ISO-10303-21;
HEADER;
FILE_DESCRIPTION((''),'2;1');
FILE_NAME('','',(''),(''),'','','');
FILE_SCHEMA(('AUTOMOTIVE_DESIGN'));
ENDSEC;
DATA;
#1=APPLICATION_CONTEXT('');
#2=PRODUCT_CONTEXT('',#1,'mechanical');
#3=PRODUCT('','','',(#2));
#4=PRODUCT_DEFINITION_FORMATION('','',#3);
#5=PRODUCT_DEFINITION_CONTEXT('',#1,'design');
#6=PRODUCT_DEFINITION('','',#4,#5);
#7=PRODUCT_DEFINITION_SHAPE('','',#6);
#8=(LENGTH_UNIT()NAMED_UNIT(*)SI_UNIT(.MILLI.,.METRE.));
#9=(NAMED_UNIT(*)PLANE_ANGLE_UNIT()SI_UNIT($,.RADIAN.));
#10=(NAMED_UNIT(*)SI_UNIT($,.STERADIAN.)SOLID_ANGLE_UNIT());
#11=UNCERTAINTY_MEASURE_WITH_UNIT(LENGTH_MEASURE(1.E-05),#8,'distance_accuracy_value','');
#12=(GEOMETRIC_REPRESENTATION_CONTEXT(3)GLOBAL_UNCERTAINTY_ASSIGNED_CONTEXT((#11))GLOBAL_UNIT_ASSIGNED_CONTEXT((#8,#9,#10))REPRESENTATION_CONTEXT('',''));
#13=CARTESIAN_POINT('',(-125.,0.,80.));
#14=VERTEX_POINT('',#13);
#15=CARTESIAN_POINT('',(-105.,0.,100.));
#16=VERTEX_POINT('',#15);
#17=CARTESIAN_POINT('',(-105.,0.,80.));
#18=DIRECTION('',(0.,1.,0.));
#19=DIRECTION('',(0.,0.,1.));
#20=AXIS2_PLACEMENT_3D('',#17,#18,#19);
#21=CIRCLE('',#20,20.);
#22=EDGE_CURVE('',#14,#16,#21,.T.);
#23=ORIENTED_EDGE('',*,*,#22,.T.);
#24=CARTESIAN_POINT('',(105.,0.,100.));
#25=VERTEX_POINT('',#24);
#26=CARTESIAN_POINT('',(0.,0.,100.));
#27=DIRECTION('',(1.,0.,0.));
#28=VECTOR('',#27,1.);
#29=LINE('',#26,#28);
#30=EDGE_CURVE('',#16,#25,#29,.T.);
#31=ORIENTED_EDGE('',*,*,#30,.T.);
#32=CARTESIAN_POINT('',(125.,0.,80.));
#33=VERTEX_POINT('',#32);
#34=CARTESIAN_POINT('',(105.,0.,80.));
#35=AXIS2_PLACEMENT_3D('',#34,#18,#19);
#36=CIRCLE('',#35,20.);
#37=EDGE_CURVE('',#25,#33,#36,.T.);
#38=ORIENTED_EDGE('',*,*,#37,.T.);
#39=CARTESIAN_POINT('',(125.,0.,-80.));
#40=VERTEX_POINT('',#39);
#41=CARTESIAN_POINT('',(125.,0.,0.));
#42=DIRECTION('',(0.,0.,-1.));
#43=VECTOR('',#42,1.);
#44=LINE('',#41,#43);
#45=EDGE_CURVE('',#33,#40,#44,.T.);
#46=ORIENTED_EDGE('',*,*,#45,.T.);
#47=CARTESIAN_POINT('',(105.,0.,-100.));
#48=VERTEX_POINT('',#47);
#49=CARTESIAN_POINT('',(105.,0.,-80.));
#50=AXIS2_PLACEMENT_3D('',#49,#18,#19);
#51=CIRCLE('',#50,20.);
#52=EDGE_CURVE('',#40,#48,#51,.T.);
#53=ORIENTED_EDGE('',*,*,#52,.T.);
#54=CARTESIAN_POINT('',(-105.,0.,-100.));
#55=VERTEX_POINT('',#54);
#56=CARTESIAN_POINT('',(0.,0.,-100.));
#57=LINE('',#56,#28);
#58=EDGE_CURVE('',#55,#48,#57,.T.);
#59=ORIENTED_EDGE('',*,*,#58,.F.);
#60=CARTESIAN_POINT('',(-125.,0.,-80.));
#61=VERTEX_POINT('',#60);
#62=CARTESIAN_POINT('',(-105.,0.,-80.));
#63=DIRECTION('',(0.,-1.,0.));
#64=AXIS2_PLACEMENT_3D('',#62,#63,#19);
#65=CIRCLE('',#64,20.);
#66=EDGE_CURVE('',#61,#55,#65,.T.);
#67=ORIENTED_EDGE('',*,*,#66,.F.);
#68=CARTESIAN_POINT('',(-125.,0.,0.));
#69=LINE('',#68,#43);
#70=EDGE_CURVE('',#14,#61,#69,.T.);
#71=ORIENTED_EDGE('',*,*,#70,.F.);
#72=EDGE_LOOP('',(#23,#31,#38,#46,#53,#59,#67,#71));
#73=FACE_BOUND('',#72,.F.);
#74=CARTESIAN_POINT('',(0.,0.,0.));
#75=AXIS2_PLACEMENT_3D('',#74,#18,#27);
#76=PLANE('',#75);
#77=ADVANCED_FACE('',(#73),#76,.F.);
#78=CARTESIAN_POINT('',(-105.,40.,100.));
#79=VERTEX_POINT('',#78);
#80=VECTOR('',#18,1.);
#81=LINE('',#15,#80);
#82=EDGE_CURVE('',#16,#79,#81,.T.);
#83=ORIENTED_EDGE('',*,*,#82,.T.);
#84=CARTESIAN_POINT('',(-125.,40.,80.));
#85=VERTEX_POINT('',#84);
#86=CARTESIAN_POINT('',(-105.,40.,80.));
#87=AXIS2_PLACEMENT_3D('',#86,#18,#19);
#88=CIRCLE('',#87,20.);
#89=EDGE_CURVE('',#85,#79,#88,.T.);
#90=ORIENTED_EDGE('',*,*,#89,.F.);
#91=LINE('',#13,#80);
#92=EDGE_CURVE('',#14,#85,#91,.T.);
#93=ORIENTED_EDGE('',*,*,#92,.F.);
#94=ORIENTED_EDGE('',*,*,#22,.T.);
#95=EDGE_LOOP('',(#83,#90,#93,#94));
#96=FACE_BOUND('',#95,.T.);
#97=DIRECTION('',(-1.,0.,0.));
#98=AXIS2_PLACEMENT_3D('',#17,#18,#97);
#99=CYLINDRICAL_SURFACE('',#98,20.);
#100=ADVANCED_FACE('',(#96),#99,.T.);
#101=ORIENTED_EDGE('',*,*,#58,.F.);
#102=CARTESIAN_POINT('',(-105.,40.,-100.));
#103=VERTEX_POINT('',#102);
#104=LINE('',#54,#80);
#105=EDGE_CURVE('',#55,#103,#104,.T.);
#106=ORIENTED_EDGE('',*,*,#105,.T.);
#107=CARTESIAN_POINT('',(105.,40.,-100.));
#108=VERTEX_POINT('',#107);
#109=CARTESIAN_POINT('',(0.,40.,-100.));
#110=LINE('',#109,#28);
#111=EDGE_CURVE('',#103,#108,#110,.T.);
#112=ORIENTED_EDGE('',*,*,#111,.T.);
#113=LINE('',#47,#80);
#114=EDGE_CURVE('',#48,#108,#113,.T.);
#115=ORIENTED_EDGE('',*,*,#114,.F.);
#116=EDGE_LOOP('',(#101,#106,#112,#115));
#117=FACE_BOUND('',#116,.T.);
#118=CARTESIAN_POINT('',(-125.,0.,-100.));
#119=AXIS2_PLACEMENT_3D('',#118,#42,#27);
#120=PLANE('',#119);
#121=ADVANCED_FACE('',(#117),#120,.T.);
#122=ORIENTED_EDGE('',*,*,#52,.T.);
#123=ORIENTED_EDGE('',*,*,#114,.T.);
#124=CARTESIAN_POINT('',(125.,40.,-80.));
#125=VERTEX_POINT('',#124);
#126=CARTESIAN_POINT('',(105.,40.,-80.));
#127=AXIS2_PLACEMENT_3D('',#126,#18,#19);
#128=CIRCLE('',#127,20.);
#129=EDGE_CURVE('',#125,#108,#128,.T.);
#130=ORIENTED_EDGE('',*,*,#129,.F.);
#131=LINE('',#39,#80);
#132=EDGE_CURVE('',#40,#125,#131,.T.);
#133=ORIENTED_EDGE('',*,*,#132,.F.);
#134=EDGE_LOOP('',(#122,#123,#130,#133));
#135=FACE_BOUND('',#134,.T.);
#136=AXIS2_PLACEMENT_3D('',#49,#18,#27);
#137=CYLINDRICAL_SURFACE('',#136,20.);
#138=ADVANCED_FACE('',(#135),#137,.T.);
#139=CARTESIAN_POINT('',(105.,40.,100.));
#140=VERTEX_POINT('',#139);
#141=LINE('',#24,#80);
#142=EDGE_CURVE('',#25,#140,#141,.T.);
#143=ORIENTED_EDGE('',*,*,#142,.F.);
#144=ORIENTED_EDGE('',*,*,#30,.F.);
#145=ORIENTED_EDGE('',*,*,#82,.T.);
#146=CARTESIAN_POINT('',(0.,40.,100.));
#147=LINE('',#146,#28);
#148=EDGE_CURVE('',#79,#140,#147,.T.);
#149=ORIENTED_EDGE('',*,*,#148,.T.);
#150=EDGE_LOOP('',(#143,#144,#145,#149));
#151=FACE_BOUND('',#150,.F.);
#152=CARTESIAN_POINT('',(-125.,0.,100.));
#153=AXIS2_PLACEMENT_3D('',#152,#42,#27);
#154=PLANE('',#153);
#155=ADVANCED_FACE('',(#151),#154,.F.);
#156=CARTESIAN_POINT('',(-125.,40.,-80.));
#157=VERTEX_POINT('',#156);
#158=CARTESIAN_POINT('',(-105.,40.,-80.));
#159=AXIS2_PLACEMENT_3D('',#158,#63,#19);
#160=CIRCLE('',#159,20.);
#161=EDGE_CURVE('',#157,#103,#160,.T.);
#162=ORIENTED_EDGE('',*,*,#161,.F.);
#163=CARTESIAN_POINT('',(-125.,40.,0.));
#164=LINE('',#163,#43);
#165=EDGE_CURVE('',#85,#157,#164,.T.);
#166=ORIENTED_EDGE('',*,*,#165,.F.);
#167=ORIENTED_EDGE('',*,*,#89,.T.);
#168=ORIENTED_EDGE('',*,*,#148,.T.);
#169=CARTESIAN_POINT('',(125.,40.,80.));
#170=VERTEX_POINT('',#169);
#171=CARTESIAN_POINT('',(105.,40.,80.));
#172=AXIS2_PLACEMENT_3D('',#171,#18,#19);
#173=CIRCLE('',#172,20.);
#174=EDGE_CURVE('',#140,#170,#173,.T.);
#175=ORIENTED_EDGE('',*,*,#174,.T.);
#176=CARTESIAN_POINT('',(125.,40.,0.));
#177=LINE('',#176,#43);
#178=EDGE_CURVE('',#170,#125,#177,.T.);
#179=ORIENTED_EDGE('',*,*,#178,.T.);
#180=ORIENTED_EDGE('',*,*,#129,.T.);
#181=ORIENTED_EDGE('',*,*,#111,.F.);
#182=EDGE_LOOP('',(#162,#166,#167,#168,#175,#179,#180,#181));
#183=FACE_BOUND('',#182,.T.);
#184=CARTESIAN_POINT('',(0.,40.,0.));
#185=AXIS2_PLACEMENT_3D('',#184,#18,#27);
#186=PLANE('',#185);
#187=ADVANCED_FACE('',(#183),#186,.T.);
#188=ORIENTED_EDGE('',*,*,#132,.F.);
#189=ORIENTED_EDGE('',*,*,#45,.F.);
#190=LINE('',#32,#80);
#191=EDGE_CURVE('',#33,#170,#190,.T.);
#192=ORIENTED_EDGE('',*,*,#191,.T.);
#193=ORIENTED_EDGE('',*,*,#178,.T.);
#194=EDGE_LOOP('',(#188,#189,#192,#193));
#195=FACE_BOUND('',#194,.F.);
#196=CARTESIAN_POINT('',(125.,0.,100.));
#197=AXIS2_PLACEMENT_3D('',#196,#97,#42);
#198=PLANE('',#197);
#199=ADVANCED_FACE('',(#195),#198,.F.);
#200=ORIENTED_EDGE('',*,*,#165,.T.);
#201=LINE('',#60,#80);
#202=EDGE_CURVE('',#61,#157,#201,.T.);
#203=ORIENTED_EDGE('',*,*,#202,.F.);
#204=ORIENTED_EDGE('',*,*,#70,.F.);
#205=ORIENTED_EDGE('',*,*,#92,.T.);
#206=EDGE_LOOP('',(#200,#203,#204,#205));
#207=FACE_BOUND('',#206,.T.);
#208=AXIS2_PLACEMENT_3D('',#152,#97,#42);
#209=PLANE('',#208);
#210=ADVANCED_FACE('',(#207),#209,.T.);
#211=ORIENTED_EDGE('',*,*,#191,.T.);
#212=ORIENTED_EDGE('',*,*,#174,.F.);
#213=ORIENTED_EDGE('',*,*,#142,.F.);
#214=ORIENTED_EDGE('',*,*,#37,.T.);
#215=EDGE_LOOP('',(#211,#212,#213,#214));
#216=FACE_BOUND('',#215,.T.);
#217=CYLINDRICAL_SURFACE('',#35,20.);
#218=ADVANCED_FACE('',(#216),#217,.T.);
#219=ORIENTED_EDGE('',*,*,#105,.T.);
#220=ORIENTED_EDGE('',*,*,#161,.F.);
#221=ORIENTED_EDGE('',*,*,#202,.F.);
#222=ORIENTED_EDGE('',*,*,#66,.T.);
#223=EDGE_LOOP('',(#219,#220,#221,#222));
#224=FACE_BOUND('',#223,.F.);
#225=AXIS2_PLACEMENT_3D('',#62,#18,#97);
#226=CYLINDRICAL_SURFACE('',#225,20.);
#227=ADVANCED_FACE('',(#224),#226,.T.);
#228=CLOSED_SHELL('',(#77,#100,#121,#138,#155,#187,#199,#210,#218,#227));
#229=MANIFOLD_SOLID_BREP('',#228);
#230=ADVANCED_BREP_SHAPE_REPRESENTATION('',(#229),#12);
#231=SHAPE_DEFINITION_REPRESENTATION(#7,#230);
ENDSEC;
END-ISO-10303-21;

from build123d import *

# Parameters (mm, degrees)
SKETCH1_W           = 250
SKETCH1_H           = 200
BOSS_EXTRUDE1_DEPTH = 40
FILLET1_R           = 20


with BuildPart() as part:
    # Sketch1 → Boss-Extrude1 (new body)
    with BuildSketch(Plane(origin=(0, 0, 0), x_dir=(1, 0, 0), z_dir=(0, 1, 0))):
        Rectangle(SKETCH1_W, SKETCH1_H)
    extrude(amount=BOSS_EXTRUDE1_DEPTH)

    # Fillet1
    fillet1_edges = [part.edges().sort_by_distance(p)[0] for p in [
        (125, 20, 100),
        (-125, 20, 100),
        (-125, 20, -100),
        (125, 20, -100),
    ]]
    fillet(fillet1_edges, radius=FILLET1_R)


solid = part.part
